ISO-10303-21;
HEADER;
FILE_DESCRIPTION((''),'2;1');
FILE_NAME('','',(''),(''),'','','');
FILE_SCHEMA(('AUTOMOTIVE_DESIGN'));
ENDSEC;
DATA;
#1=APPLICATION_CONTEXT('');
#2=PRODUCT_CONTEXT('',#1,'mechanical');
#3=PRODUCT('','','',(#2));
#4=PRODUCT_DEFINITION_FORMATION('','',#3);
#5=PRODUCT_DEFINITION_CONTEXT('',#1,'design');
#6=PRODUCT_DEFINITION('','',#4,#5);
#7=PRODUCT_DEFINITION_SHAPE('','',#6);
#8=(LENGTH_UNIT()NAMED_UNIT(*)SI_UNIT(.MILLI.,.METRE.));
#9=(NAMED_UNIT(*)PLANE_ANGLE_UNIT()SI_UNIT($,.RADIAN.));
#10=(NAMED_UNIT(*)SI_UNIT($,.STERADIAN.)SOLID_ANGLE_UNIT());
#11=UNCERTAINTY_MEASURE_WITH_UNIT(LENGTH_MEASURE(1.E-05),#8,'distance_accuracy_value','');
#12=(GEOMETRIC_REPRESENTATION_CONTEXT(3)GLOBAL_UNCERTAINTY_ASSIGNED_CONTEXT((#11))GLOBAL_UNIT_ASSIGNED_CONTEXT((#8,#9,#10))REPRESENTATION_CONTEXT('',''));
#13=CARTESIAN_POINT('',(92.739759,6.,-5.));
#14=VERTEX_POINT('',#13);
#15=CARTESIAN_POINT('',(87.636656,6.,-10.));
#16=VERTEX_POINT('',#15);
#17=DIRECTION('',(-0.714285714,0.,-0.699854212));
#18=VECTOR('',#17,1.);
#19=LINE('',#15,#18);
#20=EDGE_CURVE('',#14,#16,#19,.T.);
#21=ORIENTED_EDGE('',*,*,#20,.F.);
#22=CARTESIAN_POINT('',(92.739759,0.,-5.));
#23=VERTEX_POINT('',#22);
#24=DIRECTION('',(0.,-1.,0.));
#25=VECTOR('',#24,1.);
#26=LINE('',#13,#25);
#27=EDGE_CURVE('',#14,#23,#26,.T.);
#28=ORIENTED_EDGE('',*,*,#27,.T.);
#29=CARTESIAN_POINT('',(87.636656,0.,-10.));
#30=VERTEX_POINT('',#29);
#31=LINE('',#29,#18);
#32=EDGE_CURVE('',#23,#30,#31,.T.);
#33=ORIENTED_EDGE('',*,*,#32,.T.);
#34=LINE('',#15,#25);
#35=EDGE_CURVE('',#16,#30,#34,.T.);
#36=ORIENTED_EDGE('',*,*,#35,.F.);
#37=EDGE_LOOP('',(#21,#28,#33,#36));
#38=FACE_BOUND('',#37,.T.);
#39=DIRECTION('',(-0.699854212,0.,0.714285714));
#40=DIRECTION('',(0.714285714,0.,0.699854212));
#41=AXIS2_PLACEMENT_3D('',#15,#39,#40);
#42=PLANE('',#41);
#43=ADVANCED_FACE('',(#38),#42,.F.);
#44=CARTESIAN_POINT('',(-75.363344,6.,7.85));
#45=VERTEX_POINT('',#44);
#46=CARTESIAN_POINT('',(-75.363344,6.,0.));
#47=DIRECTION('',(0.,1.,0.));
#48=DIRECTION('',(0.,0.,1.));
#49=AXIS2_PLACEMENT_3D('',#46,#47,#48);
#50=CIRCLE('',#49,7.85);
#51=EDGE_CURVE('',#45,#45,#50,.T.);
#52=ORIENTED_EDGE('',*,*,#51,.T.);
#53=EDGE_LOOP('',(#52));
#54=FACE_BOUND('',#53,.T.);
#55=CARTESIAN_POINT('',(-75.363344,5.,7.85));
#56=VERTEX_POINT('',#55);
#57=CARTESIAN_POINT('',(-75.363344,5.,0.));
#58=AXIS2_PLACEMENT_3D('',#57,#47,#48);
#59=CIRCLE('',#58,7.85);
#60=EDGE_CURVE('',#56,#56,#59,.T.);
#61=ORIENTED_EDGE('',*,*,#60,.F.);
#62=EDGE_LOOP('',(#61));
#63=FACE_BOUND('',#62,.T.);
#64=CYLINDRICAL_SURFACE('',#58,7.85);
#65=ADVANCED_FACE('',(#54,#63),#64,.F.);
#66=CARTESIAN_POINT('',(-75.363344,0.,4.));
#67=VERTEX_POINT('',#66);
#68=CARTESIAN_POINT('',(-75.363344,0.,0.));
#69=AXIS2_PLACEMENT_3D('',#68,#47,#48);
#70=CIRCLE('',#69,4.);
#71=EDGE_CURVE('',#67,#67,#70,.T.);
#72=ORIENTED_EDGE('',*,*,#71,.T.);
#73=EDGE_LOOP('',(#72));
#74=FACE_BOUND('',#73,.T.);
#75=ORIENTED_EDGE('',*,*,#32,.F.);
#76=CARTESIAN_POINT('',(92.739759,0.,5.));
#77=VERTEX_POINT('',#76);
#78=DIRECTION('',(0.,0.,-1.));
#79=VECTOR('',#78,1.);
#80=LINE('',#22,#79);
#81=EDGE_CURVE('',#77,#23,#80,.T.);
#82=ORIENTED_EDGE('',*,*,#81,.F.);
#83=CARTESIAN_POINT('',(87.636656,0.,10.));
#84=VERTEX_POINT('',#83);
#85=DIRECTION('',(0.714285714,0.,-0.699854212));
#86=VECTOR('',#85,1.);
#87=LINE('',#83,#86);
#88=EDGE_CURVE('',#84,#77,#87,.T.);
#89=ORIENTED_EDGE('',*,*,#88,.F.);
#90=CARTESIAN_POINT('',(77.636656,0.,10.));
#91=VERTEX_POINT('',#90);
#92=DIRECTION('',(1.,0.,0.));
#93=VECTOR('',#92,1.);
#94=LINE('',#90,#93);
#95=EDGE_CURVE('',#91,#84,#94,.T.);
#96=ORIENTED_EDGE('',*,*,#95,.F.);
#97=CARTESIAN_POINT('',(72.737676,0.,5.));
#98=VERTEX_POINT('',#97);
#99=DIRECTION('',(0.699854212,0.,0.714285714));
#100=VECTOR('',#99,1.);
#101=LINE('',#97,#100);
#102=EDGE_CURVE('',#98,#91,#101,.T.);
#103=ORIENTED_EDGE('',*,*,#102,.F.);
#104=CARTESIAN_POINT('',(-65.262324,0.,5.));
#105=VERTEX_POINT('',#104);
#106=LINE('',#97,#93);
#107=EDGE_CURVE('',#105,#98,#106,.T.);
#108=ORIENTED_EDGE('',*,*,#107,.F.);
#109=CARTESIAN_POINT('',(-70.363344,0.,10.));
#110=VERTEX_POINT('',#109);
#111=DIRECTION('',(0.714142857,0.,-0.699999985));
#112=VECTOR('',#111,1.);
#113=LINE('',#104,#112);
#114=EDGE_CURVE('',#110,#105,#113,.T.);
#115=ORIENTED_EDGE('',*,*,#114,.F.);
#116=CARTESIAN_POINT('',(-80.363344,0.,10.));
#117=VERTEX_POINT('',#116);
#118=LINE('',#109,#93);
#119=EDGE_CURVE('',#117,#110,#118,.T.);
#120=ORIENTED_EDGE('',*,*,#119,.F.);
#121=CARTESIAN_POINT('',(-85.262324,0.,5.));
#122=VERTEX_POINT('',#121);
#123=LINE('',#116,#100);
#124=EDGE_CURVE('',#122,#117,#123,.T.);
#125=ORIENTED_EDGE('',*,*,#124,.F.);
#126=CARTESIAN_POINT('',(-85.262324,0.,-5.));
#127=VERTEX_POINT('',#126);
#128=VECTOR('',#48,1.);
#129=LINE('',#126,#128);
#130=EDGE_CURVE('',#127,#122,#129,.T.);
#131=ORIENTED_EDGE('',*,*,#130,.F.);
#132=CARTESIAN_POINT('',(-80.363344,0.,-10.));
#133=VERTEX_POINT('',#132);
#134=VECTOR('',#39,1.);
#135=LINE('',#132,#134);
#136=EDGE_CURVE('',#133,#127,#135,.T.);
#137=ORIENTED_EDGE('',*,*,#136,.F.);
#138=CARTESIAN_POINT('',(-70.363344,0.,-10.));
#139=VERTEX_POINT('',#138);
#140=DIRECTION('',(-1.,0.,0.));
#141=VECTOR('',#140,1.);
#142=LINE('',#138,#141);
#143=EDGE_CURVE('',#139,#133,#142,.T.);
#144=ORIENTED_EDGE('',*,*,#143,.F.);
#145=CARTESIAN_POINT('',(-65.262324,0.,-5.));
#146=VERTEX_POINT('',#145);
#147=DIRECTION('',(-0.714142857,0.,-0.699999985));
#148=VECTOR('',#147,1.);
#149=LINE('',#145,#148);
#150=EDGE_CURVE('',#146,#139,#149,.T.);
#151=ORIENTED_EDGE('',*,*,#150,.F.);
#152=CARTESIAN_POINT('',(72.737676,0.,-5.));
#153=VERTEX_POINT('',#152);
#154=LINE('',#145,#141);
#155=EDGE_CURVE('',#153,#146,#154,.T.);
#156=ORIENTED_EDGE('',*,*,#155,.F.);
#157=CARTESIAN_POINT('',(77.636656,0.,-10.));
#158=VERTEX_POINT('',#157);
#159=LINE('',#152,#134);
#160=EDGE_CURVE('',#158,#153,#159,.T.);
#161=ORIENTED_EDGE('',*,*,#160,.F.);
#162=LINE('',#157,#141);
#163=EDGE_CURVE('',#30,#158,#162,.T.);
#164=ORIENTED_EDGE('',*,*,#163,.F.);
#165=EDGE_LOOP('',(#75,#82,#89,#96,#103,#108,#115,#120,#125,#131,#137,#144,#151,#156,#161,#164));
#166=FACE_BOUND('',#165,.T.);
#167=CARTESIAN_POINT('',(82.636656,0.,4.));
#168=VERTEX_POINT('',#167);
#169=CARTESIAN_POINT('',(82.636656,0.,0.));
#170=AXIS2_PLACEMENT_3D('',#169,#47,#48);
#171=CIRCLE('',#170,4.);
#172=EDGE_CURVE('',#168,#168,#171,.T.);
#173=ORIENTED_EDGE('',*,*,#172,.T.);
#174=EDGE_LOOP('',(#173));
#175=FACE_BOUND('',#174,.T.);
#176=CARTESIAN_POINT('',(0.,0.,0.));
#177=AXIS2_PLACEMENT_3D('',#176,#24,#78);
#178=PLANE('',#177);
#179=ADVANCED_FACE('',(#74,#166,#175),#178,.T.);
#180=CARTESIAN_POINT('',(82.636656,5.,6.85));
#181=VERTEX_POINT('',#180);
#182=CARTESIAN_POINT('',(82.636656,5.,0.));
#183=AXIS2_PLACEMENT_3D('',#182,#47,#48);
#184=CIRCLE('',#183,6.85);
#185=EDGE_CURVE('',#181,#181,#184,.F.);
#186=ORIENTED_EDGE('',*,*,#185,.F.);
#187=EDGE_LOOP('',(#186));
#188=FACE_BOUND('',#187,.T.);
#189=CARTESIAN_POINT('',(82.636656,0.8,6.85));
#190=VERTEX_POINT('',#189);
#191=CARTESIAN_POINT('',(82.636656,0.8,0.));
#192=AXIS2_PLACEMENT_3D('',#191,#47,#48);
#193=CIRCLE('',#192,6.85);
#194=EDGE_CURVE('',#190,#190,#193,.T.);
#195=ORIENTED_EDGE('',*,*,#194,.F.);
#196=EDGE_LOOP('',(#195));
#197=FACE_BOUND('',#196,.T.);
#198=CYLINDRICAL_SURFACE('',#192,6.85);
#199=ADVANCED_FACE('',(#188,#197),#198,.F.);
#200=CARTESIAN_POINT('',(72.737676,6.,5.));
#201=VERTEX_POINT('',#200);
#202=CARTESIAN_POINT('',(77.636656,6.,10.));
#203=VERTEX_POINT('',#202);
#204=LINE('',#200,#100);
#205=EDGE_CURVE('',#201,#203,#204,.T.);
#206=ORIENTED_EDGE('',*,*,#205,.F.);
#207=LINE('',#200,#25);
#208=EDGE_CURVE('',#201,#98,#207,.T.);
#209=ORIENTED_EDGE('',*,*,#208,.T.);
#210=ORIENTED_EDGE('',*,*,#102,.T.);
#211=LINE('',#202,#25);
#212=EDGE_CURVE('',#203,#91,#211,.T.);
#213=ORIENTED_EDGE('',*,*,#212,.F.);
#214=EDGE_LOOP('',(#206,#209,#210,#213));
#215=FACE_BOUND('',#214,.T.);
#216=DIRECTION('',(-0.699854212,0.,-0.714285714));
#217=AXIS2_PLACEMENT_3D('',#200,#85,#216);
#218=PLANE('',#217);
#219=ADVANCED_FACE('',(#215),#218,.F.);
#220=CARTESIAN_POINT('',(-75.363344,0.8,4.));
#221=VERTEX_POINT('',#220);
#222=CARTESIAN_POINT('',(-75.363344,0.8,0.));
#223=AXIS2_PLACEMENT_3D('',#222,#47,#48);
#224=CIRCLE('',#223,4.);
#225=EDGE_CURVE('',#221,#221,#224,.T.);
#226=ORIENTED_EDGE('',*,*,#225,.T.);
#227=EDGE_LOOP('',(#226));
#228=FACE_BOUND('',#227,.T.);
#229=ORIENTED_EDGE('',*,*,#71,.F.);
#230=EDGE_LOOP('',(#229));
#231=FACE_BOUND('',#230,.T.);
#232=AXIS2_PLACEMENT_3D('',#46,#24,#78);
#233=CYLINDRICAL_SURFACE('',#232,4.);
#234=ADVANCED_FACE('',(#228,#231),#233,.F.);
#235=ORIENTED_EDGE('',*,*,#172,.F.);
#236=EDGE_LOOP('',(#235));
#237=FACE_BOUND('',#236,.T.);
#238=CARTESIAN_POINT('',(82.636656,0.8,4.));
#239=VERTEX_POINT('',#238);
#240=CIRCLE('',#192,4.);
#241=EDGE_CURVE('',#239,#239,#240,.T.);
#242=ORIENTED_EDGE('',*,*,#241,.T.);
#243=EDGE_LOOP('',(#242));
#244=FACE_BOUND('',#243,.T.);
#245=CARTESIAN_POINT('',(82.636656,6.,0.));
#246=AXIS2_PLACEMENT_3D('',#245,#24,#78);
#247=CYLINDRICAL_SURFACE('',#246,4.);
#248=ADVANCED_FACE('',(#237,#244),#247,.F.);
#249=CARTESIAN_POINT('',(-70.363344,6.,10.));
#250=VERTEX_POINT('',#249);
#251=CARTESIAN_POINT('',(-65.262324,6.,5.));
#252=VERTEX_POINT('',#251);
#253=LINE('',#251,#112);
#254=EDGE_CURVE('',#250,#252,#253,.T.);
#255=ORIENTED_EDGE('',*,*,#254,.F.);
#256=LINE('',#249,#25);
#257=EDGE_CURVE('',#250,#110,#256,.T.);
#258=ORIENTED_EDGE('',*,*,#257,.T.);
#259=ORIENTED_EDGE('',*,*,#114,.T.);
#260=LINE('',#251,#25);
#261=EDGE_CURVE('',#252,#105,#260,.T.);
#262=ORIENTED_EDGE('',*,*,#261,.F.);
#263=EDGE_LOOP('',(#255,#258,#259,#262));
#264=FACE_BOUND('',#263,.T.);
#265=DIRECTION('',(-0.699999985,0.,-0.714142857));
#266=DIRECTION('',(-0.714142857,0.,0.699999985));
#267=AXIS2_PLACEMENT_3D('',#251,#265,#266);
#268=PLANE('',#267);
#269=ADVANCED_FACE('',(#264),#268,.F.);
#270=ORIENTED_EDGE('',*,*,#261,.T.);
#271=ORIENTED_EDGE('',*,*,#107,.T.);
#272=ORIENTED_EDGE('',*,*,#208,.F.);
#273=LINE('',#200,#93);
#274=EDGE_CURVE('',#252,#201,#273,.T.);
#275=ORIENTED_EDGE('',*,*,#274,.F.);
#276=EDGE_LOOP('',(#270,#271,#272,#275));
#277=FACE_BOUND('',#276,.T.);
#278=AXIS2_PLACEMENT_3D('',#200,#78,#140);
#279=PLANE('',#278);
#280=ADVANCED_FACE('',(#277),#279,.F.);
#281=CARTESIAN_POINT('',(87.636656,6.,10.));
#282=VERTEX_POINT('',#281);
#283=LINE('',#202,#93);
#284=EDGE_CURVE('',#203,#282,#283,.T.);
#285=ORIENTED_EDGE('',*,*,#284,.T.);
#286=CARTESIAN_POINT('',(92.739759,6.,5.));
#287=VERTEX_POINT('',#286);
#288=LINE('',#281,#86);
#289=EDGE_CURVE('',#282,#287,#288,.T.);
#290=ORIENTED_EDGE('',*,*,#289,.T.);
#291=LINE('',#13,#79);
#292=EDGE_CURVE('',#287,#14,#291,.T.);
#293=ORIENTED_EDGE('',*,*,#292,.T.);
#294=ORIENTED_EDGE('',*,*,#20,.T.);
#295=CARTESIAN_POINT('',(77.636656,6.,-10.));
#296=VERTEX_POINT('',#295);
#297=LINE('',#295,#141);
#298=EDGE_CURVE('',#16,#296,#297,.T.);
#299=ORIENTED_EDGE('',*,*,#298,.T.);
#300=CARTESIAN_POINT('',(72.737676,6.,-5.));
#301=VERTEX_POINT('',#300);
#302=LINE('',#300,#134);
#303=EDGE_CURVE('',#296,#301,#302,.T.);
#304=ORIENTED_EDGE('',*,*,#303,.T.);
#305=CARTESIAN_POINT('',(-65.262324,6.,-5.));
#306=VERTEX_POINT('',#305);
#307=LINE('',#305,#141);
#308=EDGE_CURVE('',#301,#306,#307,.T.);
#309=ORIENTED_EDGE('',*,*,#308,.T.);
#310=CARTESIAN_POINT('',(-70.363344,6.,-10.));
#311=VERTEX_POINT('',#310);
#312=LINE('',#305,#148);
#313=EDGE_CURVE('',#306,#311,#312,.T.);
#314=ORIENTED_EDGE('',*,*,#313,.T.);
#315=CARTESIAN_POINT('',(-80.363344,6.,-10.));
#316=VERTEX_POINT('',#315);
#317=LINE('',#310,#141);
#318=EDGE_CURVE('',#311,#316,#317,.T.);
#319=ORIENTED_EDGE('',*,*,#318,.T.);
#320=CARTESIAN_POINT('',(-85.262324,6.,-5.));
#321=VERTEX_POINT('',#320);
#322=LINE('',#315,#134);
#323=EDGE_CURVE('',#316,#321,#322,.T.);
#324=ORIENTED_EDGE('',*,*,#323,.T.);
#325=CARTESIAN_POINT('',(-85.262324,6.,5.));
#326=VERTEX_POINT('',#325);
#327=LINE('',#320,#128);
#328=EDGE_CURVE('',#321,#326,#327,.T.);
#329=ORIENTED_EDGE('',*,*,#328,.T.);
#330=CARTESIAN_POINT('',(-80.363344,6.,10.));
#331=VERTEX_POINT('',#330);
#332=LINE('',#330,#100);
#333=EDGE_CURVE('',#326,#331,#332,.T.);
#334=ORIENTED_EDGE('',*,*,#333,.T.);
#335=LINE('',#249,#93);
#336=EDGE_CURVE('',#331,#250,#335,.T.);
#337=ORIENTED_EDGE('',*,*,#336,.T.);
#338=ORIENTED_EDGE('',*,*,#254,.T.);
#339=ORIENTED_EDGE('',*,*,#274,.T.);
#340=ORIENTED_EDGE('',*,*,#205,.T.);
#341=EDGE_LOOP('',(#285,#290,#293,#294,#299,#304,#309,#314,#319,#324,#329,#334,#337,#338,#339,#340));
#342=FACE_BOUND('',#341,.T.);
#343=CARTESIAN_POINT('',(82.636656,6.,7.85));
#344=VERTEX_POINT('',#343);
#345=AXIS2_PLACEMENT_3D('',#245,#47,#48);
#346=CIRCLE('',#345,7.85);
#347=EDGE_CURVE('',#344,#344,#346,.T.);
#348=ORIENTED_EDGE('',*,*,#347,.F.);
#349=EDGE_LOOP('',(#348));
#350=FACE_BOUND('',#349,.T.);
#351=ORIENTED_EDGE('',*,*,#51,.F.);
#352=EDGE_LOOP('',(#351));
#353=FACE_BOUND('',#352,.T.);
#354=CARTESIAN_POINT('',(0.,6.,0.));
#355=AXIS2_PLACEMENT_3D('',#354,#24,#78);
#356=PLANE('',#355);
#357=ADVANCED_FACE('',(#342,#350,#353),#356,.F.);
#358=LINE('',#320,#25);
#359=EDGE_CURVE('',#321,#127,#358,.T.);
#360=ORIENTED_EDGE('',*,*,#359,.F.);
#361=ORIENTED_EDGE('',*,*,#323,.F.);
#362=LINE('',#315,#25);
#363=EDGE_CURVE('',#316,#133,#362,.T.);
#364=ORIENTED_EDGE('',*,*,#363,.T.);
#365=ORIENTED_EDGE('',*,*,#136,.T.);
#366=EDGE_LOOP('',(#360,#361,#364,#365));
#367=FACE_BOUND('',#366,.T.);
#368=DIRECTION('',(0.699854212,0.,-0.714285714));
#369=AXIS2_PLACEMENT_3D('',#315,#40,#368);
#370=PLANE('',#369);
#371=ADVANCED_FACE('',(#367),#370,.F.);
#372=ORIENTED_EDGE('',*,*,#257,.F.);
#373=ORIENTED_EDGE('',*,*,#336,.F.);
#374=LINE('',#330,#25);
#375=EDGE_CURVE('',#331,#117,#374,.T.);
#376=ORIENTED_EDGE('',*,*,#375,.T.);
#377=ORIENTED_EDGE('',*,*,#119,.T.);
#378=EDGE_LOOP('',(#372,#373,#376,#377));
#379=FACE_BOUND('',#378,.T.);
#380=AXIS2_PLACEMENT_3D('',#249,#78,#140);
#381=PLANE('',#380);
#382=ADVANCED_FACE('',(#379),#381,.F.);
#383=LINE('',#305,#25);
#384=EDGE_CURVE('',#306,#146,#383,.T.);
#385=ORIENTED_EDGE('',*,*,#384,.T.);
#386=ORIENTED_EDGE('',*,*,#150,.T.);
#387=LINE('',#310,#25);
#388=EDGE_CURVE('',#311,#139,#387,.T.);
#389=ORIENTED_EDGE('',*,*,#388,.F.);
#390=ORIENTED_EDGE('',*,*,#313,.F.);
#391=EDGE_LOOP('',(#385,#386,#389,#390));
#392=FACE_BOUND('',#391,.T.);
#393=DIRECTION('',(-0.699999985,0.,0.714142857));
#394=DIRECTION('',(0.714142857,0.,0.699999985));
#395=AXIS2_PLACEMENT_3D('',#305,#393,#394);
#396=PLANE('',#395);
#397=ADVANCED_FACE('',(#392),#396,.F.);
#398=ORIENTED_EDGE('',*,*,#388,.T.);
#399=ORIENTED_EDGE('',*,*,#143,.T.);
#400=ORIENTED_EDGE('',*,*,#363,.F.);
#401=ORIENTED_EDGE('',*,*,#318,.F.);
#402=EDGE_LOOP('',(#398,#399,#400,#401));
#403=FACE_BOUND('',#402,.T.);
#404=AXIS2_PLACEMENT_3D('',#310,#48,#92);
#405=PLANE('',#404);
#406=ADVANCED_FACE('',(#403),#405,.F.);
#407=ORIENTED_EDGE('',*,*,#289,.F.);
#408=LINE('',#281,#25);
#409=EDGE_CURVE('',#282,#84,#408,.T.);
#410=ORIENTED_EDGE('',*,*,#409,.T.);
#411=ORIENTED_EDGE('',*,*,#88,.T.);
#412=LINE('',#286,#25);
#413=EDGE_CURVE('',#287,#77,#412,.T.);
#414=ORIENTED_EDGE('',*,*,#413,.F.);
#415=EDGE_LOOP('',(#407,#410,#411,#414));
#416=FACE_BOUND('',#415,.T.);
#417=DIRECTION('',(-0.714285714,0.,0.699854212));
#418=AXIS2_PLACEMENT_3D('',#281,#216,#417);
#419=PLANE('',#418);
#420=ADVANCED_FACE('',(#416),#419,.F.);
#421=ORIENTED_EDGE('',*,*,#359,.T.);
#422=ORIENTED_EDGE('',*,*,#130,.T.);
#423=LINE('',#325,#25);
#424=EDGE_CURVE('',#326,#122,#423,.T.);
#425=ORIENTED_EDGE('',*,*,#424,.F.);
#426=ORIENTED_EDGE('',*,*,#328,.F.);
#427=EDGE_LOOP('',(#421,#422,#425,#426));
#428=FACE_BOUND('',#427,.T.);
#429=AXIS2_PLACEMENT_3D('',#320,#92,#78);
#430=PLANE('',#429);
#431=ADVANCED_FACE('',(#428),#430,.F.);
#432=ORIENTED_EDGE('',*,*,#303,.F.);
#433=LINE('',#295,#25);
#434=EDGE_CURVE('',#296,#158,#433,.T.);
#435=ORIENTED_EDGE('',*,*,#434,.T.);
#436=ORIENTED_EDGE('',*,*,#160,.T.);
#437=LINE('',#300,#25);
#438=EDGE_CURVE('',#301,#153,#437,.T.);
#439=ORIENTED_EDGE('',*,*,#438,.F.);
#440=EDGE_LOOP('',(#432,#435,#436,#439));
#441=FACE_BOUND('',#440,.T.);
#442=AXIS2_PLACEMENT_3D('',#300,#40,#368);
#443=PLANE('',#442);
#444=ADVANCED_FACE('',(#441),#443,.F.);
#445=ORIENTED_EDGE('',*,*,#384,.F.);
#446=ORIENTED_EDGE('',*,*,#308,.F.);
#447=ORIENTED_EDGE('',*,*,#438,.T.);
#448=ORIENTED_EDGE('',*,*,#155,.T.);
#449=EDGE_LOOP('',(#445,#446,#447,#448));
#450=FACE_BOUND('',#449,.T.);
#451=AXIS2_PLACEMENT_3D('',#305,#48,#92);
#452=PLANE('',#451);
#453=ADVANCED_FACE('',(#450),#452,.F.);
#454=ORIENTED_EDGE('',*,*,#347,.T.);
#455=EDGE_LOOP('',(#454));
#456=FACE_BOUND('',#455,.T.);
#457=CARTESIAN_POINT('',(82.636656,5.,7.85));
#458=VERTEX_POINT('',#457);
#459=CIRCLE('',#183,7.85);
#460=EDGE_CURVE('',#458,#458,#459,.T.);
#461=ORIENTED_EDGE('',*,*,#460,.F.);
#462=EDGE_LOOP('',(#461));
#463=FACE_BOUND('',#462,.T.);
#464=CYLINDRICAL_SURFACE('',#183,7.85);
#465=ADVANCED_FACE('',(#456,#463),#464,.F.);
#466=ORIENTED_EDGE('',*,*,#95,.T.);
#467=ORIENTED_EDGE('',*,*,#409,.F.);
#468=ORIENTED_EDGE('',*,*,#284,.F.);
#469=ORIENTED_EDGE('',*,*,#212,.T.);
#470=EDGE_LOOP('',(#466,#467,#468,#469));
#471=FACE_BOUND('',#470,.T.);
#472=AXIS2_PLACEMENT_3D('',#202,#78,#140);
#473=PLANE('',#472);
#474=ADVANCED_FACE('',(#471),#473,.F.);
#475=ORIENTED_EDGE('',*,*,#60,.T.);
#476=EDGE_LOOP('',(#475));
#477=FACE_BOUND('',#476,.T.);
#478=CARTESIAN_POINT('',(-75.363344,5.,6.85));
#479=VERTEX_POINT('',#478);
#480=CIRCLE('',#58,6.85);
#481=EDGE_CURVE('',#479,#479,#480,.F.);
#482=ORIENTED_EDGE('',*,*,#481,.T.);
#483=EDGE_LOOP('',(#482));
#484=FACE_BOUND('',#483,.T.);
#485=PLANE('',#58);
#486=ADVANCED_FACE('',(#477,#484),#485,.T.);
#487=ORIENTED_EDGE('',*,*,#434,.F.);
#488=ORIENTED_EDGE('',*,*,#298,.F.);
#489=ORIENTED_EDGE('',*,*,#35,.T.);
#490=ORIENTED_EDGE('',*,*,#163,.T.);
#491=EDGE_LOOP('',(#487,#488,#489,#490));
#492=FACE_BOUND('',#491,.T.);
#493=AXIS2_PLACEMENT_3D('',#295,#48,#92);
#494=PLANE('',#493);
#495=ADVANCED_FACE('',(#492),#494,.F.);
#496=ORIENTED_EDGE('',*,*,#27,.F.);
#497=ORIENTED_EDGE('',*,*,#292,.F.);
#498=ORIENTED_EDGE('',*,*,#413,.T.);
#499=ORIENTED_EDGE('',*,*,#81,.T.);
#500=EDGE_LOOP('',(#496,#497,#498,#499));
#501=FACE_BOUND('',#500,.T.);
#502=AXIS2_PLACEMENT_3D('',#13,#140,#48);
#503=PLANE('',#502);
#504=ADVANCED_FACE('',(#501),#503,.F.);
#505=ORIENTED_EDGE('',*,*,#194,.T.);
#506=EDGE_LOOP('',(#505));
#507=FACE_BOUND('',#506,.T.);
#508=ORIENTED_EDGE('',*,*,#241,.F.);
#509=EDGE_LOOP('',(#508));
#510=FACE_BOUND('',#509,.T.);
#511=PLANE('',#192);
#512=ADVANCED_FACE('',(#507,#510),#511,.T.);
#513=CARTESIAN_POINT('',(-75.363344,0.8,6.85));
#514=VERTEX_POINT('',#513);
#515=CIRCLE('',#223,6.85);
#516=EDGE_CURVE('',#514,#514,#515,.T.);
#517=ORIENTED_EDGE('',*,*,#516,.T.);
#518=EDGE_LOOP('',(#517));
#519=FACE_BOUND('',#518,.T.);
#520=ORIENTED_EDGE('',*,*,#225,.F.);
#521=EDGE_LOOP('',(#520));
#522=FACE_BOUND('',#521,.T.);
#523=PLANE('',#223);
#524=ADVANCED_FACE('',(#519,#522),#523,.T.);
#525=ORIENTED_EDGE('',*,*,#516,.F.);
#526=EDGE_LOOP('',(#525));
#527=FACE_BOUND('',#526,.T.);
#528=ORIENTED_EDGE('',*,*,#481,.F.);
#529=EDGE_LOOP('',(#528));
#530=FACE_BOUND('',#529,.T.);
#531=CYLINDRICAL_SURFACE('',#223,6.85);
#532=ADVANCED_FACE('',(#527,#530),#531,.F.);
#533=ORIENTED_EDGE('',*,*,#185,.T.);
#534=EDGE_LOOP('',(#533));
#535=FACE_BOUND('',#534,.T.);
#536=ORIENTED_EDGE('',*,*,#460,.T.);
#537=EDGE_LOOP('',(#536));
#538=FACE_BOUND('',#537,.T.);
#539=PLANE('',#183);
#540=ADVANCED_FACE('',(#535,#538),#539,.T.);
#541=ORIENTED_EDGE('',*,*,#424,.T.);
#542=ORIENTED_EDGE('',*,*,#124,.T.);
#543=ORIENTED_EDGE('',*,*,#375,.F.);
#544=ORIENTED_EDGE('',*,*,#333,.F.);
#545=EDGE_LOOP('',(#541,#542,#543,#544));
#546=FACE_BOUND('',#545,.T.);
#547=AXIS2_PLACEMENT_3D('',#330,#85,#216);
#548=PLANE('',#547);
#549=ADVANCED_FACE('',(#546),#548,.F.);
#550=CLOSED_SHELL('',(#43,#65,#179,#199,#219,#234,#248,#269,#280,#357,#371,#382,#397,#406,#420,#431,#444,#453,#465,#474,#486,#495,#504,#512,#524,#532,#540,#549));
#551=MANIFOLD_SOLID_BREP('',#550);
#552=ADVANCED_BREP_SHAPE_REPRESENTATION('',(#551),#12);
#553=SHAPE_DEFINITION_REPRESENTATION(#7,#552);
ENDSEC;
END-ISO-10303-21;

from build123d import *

# Parameters (mm, degrees)
SKETCH_1_R          = 4
EXTRUDE_1_DEPTH     = 6
SKETCH_2_R          = 6.85
CUT_EXTRUDE_1_DEPTH = 5.2
SKETCH_3_R          = 7.85
CUT_EXTRUDE_2_DEPTH = 1


with BuildPart() as part:
    # 草图1 → 凸台-拉伸1 (new body)
    with BuildSketch(Plane(origin=(0, 0, 0), x_dir=(1, 0, 0), z_dir=(0, 1, 0))):
        Polygon((-65.26232397, 5), (-70.363344484, 10), (-80.363344484, 10), (-85.26232397, 5), (-85.26232397, -5), (-80.363344484, -10), (-70.363344484, -10), (-65.26232397, -5), (72.73767603, -5), (77.636655516, -10), (87.636655516, -10), (92.739759147, -5), (92.739759147, 5), (87.636655516, 10), (77.636655516, 10), (72.73767603, 5), align=None)
        with Locations(Location((-75.363344484, 0, 0), (0, 0, 270))):
            Circle(SKETCH_1_R, mode=Mode.SUBTRACT)
        with Locations(Location((82.636655516, 0, 0), (0, 0, 270))):
            Circle(SKETCH_1_R, mode=Mode.SUBTRACT)
    extrude(amount=EXTRUDE_1_DEPTH)

    # 草图2 → 切除-拉伸1 (cut)
    with BuildSketch(Plane(origin=(0, 6, 0), x_dir=(1, 0, 0), z_dir=(0, 1, 0))):
        with Locations(Location((82.636655516, 0, 0), (0, 0, 270))):
            Circle(SKETCH_2_R)
        with Locations(Location((-75.363344484, 0, 0), (0, 0, 270))):
            Circle(SKETCH_2_R)
    extrude(amount=-CUT_EXTRUDE_1_DEPTH, mode=Mode.SUBTRACT)

    # 草图3 → 切除-拉伸2 (cut)
    with BuildSketch(Plane(origin=(0, 6, 0), x_dir=(1, 0, 0), z_dir=(0, 1, 0))):
        with Locations(Location((82.636655516, 0, 0), (0, 0, 270))):
            Circle(SKETCH_3_R)
        with Locations(Location((-75.363344484, 0, 0), (0, 0, 270))):
            Circle(SKETCH_3_R)
    extrude(amount=-CUT_EXTRUDE_2_DEPTH, mode=Mode.SUBTRACT)


solid = part.part
